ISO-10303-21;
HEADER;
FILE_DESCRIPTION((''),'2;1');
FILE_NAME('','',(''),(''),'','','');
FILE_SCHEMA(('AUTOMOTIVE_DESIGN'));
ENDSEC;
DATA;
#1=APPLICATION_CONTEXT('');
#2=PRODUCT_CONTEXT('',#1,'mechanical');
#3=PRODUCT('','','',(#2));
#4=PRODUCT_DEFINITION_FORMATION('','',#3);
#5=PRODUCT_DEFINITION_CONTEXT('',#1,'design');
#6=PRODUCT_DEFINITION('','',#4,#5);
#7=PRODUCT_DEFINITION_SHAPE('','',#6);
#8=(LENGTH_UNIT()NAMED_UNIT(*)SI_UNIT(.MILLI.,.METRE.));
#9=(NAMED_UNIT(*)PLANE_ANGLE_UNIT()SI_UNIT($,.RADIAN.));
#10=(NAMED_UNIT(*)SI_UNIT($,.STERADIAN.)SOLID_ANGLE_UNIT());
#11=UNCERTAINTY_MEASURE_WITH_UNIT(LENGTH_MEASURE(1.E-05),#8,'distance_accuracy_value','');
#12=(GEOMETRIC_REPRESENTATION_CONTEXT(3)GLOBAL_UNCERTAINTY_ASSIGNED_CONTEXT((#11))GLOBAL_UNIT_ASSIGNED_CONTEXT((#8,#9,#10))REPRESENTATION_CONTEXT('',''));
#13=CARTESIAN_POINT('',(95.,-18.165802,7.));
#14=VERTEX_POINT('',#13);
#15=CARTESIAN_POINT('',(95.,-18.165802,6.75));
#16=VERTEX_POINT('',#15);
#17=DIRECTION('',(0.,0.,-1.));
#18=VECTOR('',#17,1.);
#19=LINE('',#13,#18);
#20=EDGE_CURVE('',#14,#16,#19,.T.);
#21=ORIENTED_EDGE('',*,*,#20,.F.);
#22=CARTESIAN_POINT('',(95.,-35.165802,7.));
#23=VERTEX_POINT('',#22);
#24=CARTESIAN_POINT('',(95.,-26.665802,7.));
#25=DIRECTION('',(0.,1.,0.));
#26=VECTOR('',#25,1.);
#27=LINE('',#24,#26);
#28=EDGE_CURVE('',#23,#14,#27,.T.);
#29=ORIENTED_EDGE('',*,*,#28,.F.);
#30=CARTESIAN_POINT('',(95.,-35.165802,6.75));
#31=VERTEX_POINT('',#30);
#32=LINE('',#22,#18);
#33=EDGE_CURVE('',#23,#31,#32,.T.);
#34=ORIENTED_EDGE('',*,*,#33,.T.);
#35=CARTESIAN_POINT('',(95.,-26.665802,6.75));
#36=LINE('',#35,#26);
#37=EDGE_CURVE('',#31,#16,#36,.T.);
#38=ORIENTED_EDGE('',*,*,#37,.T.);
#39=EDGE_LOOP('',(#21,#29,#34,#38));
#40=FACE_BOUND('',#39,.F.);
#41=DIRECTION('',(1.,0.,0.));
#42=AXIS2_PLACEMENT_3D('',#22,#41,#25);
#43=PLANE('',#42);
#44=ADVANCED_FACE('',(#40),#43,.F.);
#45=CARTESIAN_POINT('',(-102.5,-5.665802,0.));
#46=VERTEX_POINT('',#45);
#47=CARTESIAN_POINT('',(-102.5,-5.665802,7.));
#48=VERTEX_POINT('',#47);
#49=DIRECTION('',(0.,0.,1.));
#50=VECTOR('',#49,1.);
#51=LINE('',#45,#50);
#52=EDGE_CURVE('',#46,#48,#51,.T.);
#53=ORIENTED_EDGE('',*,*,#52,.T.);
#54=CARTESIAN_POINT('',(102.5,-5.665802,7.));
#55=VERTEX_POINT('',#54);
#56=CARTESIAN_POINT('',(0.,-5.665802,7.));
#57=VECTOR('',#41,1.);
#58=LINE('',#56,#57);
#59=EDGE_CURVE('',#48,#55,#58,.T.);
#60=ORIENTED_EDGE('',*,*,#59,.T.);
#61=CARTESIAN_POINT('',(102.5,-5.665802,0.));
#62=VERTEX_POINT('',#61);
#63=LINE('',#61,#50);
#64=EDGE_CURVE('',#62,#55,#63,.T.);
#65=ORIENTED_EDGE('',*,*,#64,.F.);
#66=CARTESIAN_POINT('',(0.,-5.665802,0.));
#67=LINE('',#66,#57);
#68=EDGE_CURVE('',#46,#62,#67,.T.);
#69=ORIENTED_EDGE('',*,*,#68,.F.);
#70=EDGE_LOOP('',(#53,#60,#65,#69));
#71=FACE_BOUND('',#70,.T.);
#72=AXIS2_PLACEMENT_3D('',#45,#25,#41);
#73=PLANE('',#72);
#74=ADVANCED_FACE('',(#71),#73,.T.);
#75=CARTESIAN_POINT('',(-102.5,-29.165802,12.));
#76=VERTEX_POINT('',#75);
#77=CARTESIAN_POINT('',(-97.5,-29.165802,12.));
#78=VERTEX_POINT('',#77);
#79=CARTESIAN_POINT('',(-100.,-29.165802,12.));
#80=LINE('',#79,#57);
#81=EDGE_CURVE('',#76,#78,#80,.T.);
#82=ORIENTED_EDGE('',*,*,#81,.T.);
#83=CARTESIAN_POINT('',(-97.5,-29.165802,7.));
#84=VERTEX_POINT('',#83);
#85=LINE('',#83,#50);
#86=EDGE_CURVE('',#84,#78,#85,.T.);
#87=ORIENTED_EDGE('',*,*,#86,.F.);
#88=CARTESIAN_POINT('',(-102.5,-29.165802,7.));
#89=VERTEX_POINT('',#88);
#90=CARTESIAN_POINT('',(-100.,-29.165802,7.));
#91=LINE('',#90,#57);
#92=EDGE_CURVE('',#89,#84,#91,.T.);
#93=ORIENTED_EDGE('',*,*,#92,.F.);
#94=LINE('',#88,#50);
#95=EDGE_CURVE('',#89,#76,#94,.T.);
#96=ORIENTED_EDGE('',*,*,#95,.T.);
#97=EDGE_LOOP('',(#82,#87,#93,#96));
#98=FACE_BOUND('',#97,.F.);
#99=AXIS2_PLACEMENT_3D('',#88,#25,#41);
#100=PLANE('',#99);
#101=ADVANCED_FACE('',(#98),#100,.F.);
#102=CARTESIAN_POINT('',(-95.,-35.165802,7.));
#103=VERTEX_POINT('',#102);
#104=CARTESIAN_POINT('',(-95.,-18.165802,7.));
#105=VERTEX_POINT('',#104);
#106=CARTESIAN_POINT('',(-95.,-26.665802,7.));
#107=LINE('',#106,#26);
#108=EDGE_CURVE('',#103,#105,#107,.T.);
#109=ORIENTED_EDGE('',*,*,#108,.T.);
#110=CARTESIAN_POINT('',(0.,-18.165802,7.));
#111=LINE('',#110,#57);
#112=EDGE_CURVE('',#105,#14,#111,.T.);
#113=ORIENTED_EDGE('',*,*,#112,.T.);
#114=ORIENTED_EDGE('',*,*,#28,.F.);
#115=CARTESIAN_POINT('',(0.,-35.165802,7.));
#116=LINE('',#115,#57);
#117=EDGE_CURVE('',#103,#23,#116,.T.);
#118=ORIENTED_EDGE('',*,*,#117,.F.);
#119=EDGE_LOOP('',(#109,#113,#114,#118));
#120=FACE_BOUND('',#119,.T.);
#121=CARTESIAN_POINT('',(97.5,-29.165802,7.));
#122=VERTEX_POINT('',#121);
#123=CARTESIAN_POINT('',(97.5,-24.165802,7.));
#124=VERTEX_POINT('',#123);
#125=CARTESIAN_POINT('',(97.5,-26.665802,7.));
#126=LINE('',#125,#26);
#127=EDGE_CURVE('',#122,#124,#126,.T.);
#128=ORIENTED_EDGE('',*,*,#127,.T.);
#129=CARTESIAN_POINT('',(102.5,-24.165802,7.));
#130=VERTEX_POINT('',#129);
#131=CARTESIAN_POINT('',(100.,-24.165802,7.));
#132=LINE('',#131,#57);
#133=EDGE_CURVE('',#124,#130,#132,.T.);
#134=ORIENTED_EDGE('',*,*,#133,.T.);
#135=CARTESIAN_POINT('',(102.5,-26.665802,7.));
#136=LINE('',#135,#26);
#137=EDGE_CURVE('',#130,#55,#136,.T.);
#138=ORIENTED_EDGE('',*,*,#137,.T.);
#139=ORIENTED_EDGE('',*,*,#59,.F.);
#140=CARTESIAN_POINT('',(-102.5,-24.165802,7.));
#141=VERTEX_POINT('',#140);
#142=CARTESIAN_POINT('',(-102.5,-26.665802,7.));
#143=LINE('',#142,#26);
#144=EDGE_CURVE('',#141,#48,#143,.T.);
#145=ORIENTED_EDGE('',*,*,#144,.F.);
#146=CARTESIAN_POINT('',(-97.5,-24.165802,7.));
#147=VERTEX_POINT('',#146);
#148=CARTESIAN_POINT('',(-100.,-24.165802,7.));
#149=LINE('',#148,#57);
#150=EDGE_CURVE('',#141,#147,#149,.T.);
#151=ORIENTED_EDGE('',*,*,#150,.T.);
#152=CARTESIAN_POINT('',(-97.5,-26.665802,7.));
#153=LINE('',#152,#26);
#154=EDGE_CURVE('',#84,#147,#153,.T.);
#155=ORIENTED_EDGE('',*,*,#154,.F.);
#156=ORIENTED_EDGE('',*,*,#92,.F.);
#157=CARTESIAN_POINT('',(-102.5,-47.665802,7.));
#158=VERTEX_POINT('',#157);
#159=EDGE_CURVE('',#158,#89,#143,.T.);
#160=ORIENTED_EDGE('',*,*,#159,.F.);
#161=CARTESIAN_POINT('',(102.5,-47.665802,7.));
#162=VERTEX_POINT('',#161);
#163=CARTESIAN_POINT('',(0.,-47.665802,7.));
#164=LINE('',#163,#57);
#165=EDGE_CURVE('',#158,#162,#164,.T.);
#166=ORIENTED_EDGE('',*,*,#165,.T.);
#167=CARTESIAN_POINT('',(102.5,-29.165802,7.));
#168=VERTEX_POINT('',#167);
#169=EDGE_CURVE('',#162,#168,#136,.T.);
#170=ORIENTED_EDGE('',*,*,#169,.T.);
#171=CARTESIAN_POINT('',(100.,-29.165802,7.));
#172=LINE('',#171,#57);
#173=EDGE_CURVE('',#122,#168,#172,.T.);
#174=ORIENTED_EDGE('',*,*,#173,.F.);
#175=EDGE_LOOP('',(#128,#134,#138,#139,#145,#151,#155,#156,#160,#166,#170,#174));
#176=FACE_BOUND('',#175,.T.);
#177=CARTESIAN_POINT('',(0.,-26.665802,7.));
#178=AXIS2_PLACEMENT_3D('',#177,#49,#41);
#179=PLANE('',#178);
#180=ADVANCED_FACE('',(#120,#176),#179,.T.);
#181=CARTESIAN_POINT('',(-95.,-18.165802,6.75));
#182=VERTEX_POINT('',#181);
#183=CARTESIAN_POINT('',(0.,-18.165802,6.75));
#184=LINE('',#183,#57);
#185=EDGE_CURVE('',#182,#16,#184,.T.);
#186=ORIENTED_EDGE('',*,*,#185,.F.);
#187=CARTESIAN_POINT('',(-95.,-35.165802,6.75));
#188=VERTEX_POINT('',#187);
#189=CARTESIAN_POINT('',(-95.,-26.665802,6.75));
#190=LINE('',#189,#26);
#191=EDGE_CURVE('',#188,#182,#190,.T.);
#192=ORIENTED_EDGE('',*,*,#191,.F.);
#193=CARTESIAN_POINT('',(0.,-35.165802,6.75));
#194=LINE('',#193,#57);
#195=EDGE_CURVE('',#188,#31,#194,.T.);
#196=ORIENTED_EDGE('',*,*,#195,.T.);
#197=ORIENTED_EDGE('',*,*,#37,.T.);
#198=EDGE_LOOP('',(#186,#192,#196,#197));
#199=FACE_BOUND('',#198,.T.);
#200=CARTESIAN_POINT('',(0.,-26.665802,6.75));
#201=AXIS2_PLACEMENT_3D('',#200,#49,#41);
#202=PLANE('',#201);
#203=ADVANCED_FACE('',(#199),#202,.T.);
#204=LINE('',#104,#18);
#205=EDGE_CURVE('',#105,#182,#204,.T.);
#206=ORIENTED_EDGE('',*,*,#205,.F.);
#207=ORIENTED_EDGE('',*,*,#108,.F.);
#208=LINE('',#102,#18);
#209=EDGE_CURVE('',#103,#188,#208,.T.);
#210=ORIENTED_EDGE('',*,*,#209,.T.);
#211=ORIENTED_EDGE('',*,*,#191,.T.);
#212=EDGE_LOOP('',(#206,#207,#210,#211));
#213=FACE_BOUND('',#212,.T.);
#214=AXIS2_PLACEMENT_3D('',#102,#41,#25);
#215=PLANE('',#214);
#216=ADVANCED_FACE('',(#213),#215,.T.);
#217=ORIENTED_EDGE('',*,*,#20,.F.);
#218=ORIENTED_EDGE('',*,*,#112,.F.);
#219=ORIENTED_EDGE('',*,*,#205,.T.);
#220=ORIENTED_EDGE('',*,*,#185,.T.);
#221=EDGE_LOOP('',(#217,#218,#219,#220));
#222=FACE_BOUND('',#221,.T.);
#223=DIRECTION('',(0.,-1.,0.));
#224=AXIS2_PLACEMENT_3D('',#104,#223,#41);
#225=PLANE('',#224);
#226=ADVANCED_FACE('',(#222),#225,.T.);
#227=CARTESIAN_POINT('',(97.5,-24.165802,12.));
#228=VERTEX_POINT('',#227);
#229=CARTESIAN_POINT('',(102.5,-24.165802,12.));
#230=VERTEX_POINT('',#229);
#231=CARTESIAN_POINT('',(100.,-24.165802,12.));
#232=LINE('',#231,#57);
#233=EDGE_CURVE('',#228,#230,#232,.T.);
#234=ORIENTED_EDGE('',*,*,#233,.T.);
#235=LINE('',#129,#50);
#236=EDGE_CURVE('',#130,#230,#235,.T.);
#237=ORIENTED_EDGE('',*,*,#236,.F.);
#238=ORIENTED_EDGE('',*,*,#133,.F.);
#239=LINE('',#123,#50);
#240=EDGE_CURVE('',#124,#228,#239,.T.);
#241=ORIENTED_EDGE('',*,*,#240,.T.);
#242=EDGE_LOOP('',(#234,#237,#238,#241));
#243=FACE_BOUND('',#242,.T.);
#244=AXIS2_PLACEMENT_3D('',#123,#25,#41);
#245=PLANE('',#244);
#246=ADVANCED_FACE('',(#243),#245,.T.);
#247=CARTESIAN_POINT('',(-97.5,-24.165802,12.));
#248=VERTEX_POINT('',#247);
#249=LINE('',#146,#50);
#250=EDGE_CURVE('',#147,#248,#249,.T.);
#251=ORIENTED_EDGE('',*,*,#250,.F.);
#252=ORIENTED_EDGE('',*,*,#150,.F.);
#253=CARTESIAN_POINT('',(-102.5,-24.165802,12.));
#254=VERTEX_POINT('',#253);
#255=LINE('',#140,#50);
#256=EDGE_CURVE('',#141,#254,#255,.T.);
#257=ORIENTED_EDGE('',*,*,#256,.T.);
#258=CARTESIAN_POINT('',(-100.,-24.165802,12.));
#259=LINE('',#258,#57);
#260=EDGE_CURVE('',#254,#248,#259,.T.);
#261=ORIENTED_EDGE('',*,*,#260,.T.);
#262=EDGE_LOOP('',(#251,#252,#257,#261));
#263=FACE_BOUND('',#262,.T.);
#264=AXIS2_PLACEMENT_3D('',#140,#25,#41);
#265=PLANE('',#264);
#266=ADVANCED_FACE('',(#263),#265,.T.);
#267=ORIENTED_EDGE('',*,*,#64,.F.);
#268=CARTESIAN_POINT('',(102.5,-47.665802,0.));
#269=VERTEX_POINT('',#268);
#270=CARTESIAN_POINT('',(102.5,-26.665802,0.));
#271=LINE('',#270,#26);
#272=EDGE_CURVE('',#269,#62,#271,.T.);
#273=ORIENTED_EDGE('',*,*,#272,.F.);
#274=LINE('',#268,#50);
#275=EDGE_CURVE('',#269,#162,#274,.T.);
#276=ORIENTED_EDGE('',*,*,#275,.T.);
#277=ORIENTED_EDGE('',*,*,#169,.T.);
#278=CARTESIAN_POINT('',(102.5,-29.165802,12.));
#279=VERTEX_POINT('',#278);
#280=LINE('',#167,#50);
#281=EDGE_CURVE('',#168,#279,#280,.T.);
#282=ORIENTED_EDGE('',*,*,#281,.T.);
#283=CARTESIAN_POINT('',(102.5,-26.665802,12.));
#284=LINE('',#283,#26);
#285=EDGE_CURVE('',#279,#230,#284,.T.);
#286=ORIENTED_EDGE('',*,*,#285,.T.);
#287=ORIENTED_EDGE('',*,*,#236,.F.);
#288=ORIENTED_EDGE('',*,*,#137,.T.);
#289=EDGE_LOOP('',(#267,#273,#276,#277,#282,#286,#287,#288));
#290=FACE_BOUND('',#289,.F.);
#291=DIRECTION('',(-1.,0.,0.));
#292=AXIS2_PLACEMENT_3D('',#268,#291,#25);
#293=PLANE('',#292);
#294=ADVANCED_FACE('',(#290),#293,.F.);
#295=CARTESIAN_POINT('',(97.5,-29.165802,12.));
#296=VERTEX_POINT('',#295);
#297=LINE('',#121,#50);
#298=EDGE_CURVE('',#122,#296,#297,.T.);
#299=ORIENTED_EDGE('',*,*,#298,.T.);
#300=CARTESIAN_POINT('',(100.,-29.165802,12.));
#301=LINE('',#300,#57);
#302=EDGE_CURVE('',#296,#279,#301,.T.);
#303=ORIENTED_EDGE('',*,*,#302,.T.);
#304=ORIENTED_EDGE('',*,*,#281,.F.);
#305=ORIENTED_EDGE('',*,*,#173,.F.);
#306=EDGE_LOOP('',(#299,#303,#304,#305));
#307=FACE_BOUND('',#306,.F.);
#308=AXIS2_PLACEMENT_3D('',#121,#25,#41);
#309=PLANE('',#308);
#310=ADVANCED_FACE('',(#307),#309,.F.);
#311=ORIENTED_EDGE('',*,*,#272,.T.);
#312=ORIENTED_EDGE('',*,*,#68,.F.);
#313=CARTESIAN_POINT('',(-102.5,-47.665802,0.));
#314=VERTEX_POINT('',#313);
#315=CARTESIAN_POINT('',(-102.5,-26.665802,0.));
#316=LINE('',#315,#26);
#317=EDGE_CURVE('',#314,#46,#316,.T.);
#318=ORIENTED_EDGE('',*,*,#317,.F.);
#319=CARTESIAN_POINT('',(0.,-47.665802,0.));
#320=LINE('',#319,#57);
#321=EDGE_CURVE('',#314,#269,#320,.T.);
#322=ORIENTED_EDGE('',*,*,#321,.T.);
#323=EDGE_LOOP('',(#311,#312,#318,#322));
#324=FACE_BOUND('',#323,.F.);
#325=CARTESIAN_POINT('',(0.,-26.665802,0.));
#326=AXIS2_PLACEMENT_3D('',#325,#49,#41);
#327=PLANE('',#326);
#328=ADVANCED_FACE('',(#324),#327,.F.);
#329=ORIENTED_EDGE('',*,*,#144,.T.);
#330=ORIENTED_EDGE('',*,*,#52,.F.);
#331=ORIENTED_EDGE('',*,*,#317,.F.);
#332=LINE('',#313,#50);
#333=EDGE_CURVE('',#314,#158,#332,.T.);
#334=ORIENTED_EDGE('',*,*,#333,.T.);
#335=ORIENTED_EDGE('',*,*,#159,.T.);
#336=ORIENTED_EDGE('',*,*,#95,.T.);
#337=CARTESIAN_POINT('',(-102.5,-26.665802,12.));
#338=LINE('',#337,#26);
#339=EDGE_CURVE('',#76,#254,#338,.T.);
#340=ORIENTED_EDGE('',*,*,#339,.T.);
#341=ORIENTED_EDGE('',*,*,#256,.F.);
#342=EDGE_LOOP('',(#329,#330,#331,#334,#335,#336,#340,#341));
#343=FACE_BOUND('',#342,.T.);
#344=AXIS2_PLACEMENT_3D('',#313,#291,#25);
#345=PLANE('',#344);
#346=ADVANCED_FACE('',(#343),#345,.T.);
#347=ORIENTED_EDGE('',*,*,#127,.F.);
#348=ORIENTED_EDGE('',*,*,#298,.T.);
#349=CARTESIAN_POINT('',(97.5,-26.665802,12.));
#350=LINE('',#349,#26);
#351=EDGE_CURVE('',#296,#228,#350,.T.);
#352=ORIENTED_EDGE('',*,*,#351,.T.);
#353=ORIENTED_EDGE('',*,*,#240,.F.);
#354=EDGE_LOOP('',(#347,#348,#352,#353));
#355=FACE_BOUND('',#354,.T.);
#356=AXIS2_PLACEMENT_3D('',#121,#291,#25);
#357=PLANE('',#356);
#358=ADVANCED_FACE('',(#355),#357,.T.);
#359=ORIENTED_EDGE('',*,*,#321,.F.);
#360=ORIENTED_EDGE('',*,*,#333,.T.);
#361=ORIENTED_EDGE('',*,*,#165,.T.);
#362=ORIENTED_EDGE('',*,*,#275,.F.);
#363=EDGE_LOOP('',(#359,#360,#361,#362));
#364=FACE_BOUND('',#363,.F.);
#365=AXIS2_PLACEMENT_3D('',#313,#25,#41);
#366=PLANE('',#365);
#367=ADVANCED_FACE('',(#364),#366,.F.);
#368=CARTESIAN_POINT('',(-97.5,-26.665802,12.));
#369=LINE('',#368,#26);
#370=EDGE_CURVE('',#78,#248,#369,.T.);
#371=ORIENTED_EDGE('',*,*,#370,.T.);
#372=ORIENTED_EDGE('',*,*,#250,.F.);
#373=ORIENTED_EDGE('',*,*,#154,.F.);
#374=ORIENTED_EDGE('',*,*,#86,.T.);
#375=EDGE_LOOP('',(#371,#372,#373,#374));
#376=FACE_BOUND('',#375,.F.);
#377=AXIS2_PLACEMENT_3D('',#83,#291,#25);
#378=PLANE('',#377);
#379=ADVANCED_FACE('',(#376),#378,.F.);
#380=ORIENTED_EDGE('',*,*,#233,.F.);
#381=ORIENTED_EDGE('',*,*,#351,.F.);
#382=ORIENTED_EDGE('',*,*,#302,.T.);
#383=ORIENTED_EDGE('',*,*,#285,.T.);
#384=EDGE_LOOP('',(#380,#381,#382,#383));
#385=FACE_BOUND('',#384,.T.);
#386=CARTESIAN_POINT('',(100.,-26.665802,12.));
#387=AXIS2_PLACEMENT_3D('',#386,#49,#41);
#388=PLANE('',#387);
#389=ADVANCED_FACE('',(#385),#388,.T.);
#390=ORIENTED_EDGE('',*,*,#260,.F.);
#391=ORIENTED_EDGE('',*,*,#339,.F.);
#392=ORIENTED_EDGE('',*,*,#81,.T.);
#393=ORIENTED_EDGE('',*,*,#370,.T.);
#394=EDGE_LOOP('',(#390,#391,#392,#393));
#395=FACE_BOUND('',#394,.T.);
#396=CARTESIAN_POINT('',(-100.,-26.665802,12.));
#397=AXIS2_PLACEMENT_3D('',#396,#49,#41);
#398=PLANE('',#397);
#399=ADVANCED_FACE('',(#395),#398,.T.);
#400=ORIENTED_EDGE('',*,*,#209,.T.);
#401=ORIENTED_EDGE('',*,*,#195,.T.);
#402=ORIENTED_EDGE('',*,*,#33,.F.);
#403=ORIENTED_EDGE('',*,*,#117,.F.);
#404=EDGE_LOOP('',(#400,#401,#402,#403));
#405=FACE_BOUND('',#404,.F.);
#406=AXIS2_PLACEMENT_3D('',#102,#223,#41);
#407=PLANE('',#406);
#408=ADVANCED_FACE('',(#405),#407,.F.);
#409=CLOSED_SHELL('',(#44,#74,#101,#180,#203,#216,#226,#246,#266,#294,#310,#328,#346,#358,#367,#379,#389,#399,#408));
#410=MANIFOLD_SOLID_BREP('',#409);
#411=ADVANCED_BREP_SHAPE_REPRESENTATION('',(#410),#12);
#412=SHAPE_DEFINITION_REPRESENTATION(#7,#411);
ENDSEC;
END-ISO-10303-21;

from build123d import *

# Parameters (mm, degrees)
F0_W     = 205
F0_H     = 42
F1_DEPTH = 7
F2_W     = 5
F2_H     = 5
F3_DEPTH = 5
F2_W_2   = 190
F2_H_2   = 17
F4_DEPTH = 0.25


with BuildPart() as f1:
    # F0 (on Top) → F1 (new body)
    with BuildSketch(Plane.XY):
        with Locations((0, -26.665802)):
            Rectangle(F0_W, F0_H)
    extrude(amount=F1_DEPTH)

    # F2 (on face) → F3 (join)
    with BuildSketch(Plane.XY.offset(7)):
        with Locations((-100, -26.665802)):
            Rectangle(F2_W, F2_H)
        with Locations((100, -26.665802)):
            Rectangle(F2_W, F2_H)
    extrude(amount=F3_DEPTH)

    # F2 (on face) → F4 (cut)
    with BuildSketch(Plane.XY.offset(7)):
        with Locations((0, -26.665802)):
            Rectangle(F2_W_2, F2_H_2)
    extrude(amount=-F4_DEPTH, mode=Mode.SUBTRACT)


solid = f1.part
